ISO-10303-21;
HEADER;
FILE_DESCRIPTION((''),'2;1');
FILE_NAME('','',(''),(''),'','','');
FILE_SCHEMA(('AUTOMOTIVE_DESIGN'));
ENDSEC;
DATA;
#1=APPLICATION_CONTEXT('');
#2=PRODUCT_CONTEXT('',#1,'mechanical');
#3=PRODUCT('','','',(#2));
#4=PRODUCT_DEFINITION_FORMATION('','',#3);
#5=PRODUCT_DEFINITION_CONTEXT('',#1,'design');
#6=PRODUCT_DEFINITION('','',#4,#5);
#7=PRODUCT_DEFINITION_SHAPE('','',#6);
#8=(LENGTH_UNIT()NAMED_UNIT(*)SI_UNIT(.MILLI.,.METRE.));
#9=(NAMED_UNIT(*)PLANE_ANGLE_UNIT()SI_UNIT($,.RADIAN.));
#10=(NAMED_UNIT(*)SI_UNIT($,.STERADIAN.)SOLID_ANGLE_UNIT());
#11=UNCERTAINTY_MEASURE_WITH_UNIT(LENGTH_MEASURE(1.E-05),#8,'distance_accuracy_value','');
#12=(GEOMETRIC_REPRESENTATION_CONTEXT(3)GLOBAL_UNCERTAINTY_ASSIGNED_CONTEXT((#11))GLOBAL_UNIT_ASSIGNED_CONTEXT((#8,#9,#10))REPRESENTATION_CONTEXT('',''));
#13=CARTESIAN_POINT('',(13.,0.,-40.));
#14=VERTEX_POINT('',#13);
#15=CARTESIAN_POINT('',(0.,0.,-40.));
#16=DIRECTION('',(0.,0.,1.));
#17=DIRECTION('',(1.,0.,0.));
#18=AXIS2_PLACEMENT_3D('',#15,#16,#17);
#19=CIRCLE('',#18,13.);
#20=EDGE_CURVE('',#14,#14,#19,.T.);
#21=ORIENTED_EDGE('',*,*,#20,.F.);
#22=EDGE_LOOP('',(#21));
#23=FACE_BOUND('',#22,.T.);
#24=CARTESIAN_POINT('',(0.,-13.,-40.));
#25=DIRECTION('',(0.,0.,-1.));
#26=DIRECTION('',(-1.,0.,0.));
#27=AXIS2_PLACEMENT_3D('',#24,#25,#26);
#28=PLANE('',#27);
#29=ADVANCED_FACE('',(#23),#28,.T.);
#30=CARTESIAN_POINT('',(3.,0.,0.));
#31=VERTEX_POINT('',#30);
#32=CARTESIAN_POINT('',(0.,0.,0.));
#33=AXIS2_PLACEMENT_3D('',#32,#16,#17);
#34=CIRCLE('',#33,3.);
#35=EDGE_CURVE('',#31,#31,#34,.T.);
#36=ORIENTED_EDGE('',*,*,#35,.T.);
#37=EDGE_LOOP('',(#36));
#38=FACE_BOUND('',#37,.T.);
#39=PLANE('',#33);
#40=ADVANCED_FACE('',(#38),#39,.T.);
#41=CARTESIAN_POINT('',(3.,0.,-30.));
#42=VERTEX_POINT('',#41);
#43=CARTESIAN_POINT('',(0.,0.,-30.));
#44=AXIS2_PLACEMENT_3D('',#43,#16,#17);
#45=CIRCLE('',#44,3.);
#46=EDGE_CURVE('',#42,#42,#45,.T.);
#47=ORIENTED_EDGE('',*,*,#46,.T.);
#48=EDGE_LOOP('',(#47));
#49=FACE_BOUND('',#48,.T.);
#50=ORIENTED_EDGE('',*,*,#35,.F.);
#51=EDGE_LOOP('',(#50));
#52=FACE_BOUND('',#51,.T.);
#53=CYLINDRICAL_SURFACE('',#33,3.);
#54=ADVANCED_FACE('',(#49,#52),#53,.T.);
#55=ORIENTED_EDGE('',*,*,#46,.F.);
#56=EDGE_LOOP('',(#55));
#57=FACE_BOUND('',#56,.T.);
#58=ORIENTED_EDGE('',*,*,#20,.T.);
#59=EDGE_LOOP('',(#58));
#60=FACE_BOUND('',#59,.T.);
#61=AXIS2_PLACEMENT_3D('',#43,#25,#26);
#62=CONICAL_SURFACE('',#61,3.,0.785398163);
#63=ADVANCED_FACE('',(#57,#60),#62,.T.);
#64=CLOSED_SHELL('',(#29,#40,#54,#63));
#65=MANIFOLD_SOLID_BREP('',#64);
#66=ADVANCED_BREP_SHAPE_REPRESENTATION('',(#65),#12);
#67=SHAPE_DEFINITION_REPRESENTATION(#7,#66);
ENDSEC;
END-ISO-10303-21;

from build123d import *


with BuildPart() as part:
    # Sketch1 → Revolve1 (revolve)
    with BuildSketch(Plane(origin=(0, 0, 0), x_dir=(0, 0, -1), z_dir=(1, 0, 0))):
        Polygon((0, 0), (0, -3), (30, -3), (40, -13), (40, 0), align=None)
    revolve(axis=Axis((0, 0, 0), (0, 0, -1)))


solid = part.part
